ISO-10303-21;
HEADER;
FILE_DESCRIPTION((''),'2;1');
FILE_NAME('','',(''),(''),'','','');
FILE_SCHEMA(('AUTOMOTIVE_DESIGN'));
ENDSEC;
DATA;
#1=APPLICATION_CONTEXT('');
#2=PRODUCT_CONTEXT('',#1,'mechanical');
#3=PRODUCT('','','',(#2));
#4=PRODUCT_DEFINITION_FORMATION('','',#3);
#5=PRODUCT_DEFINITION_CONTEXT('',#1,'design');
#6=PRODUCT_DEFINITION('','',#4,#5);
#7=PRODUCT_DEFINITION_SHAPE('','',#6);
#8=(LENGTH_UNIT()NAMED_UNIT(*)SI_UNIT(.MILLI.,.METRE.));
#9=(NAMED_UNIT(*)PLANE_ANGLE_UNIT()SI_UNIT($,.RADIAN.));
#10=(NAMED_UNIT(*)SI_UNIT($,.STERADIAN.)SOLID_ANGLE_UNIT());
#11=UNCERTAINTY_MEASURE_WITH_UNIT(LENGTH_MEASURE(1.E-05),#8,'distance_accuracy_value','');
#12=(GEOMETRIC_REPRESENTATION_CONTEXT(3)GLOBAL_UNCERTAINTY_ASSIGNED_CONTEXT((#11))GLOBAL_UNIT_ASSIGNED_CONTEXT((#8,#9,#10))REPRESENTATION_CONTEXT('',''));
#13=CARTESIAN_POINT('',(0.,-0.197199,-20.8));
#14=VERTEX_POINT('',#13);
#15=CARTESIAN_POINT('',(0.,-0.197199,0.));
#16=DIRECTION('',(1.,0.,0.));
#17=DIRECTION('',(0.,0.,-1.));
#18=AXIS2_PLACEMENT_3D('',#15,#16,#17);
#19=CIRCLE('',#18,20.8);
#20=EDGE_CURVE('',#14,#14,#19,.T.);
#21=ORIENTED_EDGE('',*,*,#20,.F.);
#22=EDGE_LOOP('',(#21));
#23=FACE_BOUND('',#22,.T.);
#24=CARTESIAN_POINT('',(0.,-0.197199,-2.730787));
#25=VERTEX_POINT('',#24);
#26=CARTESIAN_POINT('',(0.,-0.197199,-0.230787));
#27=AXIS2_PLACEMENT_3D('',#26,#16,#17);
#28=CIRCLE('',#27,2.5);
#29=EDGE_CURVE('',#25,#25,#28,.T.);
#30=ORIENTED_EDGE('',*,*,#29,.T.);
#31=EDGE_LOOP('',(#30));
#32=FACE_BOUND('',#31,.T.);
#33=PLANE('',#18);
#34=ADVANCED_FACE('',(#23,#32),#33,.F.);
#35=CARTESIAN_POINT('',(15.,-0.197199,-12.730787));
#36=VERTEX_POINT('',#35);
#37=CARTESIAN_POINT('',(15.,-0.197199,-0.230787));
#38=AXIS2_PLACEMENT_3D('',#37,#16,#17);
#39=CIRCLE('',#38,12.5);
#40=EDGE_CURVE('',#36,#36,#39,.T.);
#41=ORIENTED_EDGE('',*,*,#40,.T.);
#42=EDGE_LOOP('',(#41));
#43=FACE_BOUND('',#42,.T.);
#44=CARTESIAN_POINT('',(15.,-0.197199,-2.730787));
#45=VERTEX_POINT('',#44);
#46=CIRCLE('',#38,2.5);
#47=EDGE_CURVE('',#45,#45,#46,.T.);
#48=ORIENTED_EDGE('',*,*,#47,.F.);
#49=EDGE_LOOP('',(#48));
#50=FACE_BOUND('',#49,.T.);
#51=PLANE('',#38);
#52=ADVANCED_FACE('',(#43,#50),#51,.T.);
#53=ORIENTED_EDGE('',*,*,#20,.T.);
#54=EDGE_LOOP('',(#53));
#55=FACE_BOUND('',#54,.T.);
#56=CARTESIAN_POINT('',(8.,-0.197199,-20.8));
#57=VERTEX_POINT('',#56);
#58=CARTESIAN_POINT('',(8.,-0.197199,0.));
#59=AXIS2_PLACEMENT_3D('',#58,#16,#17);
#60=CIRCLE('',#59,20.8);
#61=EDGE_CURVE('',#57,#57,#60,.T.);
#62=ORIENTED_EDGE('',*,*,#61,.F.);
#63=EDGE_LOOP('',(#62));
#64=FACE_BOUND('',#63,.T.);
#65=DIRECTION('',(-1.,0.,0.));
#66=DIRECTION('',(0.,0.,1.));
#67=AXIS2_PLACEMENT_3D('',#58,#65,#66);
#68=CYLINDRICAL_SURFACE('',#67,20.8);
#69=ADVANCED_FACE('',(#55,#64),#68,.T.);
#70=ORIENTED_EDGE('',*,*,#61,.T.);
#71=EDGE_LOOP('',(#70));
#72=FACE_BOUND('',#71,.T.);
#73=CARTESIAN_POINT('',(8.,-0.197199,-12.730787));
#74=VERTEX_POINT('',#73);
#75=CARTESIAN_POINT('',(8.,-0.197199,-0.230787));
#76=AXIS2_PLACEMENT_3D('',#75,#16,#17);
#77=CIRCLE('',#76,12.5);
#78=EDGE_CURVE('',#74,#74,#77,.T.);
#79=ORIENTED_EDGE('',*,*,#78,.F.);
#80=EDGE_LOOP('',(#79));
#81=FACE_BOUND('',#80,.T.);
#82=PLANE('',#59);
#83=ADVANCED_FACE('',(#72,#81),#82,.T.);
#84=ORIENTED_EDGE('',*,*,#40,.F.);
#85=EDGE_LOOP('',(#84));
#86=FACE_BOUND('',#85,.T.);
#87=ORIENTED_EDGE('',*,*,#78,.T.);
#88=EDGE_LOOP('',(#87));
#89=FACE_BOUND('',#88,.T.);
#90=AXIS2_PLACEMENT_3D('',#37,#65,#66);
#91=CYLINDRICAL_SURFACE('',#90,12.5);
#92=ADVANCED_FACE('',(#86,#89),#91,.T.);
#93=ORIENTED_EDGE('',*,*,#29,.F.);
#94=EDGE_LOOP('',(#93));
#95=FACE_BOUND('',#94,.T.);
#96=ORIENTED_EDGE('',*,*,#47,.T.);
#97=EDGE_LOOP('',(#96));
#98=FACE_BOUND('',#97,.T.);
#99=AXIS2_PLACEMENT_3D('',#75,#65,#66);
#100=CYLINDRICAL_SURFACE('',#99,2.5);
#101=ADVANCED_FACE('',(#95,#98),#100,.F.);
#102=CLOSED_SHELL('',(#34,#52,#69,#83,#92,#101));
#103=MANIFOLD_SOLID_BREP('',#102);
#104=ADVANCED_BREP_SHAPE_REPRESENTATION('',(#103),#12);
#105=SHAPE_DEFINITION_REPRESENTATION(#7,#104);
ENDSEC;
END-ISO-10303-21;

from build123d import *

# Parameters (mm, degrees)
SKETCH1_R           = 20.8
SKETCH1_R_2         = 2.5
BOSS_EXTRUDE1_DEPTH = 8
SKETCH2_R           = 12.5
SKETCH2_R_2         = 2.5
BOSS_EXTRUDE3_DEPTH = 7


with BuildPart() as part:
    # Sketch1 → Boss-Extrude1 (new body)
    with BuildSketch(Plane(origin=(0, 0, 0), x_dir=(0, 0, -1), z_dir=(1, 0, 0))):
        with Locations((0, -0.19719949)):
            Circle(SKETCH1_R)
        with Locations((0.230786774, -0.19719949)):
            Circle(SKETCH1_R_2, mode=Mode.SUBTRACT)
    extrude(amount=BOSS_EXTRUDE1_DEPTH)

    # Sketch2 → Boss-Extrude3 (add)
    with BuildSketch(Plane(origin=(8, 0, 0), x_dir=(0, 0, -1), z_dir=(1, 0, 0))):
        with Locations((0.230786774, -0.19719949)):
            Circle(SKETCH2_R)
        with Locations((0.230786774, -0.19719949)):
            Circle(SKETCH2_R_2, mode=Mode.SUBTRACT)
    extrude(amount=BOSS_EXTRUDE3_DEPTH)


solid = part.part
